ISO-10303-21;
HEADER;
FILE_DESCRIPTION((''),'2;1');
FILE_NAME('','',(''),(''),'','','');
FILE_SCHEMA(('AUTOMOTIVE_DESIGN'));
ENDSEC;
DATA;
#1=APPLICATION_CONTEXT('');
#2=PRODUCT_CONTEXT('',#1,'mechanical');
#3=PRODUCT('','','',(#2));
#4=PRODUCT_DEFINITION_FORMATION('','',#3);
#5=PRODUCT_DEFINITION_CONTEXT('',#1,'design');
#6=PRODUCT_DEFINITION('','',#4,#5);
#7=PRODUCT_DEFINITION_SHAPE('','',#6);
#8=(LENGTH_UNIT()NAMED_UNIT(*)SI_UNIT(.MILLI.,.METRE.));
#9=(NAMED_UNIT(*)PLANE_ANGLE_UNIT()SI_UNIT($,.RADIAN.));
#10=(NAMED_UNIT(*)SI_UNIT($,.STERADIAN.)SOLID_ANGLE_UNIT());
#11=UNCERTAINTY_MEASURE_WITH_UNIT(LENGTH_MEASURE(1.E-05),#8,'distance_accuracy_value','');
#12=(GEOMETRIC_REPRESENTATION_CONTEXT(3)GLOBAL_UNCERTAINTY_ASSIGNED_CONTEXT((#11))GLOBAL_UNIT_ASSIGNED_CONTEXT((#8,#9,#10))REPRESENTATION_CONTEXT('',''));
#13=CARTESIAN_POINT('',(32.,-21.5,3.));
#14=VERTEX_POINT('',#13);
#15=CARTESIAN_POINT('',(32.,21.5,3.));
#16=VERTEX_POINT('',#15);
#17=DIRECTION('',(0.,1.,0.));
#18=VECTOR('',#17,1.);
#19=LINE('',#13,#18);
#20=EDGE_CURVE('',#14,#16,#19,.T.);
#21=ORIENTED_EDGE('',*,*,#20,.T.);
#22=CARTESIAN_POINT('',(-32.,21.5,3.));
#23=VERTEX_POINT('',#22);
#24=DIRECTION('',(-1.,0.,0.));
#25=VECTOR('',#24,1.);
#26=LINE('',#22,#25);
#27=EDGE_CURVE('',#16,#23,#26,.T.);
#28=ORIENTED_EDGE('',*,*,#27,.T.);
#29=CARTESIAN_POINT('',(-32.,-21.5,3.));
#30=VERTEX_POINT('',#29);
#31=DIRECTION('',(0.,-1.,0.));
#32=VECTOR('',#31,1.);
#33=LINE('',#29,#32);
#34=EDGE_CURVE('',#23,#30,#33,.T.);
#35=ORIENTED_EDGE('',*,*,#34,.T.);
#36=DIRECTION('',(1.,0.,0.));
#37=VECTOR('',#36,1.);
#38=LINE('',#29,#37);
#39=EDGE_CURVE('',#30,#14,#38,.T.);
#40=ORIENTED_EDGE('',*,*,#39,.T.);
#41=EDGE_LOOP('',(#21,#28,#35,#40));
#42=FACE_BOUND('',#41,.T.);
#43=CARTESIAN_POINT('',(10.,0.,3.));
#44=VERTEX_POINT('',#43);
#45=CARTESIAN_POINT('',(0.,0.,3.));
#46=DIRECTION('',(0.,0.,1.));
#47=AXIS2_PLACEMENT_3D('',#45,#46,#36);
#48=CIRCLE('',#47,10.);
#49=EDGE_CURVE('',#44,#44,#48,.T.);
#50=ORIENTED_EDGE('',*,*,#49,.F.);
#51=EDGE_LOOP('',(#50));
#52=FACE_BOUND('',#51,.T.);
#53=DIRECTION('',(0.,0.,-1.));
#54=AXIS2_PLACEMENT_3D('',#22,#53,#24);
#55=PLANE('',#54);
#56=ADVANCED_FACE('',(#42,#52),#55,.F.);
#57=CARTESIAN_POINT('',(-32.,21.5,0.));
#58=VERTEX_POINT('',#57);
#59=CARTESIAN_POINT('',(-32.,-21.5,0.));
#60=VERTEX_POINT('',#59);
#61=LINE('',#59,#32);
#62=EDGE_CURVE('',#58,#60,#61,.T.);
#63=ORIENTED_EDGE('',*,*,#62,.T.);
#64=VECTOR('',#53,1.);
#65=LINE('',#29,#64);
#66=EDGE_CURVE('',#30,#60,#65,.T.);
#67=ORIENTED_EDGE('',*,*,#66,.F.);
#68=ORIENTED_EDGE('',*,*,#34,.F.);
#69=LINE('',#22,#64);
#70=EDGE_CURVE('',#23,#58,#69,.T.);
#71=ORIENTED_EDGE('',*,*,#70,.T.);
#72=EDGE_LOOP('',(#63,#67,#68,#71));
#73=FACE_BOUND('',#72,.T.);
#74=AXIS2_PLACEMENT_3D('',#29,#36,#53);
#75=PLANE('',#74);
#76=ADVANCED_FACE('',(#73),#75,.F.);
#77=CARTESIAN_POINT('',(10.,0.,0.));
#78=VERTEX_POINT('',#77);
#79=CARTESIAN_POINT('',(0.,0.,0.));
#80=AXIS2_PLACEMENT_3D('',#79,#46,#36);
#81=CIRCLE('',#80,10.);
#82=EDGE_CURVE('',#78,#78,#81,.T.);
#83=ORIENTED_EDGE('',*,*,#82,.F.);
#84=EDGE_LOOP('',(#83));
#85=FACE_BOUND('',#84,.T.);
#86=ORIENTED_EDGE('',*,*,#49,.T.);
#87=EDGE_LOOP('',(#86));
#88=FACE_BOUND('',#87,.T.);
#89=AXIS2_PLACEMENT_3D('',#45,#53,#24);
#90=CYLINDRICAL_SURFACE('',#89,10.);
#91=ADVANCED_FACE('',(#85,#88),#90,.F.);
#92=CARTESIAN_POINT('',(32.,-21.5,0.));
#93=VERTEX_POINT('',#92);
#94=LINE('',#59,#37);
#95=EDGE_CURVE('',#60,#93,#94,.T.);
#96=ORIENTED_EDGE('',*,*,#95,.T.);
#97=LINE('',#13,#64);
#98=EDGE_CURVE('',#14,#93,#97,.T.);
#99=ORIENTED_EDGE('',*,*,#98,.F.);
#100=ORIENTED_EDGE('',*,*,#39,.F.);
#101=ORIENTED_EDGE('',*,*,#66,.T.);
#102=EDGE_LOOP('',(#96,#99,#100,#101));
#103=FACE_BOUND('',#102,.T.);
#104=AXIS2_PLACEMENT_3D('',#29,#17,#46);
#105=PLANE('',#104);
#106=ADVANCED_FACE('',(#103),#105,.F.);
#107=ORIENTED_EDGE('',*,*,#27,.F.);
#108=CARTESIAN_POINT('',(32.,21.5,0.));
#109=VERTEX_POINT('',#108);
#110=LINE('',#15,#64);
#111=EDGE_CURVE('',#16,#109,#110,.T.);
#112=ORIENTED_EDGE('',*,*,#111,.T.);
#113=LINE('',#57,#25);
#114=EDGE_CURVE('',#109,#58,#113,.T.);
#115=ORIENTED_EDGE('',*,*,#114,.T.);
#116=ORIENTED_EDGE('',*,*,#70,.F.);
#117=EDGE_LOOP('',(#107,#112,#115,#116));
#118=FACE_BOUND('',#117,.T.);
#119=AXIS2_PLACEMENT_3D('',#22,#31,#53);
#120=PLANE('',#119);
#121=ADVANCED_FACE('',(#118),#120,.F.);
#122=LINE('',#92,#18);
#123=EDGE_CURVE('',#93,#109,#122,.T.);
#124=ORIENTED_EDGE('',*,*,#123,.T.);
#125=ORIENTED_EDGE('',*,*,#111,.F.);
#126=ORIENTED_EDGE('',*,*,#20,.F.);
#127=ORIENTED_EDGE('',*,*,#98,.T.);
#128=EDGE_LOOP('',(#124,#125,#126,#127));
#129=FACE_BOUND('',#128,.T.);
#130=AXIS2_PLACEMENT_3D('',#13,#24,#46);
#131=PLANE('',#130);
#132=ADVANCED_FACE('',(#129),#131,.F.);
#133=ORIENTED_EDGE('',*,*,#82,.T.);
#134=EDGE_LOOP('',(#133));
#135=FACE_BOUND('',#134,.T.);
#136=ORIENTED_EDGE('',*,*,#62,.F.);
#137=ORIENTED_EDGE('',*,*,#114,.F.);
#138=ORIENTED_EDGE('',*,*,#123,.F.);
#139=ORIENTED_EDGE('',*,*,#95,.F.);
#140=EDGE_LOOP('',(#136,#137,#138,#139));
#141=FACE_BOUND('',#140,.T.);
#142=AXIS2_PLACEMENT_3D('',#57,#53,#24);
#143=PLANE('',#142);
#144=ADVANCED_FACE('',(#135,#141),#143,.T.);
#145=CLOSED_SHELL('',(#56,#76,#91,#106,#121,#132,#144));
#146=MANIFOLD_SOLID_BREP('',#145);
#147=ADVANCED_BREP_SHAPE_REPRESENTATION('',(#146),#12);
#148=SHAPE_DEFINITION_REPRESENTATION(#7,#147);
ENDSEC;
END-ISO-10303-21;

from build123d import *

# Parameters (mm, degrees)
ESQUISSE1_W      = 64
ESQUISSE1_H      = 43
ESQUISSE1_R      = 10
EXTRUSION1_DEPTH = 3


with BuildPart() as part:
    # Esquisse1 → Extrusion1 (new body)
    with BuildSketch(Plane.XY):
        Rectangle(ESQUISSE1_W, ESQUISSE1_H)
        Circle(ESQUISSE1_R, mode=Mode.SUBTRACT)
    extrude(amount=EXTRUSION1_DEPTH)


solid = part.part
